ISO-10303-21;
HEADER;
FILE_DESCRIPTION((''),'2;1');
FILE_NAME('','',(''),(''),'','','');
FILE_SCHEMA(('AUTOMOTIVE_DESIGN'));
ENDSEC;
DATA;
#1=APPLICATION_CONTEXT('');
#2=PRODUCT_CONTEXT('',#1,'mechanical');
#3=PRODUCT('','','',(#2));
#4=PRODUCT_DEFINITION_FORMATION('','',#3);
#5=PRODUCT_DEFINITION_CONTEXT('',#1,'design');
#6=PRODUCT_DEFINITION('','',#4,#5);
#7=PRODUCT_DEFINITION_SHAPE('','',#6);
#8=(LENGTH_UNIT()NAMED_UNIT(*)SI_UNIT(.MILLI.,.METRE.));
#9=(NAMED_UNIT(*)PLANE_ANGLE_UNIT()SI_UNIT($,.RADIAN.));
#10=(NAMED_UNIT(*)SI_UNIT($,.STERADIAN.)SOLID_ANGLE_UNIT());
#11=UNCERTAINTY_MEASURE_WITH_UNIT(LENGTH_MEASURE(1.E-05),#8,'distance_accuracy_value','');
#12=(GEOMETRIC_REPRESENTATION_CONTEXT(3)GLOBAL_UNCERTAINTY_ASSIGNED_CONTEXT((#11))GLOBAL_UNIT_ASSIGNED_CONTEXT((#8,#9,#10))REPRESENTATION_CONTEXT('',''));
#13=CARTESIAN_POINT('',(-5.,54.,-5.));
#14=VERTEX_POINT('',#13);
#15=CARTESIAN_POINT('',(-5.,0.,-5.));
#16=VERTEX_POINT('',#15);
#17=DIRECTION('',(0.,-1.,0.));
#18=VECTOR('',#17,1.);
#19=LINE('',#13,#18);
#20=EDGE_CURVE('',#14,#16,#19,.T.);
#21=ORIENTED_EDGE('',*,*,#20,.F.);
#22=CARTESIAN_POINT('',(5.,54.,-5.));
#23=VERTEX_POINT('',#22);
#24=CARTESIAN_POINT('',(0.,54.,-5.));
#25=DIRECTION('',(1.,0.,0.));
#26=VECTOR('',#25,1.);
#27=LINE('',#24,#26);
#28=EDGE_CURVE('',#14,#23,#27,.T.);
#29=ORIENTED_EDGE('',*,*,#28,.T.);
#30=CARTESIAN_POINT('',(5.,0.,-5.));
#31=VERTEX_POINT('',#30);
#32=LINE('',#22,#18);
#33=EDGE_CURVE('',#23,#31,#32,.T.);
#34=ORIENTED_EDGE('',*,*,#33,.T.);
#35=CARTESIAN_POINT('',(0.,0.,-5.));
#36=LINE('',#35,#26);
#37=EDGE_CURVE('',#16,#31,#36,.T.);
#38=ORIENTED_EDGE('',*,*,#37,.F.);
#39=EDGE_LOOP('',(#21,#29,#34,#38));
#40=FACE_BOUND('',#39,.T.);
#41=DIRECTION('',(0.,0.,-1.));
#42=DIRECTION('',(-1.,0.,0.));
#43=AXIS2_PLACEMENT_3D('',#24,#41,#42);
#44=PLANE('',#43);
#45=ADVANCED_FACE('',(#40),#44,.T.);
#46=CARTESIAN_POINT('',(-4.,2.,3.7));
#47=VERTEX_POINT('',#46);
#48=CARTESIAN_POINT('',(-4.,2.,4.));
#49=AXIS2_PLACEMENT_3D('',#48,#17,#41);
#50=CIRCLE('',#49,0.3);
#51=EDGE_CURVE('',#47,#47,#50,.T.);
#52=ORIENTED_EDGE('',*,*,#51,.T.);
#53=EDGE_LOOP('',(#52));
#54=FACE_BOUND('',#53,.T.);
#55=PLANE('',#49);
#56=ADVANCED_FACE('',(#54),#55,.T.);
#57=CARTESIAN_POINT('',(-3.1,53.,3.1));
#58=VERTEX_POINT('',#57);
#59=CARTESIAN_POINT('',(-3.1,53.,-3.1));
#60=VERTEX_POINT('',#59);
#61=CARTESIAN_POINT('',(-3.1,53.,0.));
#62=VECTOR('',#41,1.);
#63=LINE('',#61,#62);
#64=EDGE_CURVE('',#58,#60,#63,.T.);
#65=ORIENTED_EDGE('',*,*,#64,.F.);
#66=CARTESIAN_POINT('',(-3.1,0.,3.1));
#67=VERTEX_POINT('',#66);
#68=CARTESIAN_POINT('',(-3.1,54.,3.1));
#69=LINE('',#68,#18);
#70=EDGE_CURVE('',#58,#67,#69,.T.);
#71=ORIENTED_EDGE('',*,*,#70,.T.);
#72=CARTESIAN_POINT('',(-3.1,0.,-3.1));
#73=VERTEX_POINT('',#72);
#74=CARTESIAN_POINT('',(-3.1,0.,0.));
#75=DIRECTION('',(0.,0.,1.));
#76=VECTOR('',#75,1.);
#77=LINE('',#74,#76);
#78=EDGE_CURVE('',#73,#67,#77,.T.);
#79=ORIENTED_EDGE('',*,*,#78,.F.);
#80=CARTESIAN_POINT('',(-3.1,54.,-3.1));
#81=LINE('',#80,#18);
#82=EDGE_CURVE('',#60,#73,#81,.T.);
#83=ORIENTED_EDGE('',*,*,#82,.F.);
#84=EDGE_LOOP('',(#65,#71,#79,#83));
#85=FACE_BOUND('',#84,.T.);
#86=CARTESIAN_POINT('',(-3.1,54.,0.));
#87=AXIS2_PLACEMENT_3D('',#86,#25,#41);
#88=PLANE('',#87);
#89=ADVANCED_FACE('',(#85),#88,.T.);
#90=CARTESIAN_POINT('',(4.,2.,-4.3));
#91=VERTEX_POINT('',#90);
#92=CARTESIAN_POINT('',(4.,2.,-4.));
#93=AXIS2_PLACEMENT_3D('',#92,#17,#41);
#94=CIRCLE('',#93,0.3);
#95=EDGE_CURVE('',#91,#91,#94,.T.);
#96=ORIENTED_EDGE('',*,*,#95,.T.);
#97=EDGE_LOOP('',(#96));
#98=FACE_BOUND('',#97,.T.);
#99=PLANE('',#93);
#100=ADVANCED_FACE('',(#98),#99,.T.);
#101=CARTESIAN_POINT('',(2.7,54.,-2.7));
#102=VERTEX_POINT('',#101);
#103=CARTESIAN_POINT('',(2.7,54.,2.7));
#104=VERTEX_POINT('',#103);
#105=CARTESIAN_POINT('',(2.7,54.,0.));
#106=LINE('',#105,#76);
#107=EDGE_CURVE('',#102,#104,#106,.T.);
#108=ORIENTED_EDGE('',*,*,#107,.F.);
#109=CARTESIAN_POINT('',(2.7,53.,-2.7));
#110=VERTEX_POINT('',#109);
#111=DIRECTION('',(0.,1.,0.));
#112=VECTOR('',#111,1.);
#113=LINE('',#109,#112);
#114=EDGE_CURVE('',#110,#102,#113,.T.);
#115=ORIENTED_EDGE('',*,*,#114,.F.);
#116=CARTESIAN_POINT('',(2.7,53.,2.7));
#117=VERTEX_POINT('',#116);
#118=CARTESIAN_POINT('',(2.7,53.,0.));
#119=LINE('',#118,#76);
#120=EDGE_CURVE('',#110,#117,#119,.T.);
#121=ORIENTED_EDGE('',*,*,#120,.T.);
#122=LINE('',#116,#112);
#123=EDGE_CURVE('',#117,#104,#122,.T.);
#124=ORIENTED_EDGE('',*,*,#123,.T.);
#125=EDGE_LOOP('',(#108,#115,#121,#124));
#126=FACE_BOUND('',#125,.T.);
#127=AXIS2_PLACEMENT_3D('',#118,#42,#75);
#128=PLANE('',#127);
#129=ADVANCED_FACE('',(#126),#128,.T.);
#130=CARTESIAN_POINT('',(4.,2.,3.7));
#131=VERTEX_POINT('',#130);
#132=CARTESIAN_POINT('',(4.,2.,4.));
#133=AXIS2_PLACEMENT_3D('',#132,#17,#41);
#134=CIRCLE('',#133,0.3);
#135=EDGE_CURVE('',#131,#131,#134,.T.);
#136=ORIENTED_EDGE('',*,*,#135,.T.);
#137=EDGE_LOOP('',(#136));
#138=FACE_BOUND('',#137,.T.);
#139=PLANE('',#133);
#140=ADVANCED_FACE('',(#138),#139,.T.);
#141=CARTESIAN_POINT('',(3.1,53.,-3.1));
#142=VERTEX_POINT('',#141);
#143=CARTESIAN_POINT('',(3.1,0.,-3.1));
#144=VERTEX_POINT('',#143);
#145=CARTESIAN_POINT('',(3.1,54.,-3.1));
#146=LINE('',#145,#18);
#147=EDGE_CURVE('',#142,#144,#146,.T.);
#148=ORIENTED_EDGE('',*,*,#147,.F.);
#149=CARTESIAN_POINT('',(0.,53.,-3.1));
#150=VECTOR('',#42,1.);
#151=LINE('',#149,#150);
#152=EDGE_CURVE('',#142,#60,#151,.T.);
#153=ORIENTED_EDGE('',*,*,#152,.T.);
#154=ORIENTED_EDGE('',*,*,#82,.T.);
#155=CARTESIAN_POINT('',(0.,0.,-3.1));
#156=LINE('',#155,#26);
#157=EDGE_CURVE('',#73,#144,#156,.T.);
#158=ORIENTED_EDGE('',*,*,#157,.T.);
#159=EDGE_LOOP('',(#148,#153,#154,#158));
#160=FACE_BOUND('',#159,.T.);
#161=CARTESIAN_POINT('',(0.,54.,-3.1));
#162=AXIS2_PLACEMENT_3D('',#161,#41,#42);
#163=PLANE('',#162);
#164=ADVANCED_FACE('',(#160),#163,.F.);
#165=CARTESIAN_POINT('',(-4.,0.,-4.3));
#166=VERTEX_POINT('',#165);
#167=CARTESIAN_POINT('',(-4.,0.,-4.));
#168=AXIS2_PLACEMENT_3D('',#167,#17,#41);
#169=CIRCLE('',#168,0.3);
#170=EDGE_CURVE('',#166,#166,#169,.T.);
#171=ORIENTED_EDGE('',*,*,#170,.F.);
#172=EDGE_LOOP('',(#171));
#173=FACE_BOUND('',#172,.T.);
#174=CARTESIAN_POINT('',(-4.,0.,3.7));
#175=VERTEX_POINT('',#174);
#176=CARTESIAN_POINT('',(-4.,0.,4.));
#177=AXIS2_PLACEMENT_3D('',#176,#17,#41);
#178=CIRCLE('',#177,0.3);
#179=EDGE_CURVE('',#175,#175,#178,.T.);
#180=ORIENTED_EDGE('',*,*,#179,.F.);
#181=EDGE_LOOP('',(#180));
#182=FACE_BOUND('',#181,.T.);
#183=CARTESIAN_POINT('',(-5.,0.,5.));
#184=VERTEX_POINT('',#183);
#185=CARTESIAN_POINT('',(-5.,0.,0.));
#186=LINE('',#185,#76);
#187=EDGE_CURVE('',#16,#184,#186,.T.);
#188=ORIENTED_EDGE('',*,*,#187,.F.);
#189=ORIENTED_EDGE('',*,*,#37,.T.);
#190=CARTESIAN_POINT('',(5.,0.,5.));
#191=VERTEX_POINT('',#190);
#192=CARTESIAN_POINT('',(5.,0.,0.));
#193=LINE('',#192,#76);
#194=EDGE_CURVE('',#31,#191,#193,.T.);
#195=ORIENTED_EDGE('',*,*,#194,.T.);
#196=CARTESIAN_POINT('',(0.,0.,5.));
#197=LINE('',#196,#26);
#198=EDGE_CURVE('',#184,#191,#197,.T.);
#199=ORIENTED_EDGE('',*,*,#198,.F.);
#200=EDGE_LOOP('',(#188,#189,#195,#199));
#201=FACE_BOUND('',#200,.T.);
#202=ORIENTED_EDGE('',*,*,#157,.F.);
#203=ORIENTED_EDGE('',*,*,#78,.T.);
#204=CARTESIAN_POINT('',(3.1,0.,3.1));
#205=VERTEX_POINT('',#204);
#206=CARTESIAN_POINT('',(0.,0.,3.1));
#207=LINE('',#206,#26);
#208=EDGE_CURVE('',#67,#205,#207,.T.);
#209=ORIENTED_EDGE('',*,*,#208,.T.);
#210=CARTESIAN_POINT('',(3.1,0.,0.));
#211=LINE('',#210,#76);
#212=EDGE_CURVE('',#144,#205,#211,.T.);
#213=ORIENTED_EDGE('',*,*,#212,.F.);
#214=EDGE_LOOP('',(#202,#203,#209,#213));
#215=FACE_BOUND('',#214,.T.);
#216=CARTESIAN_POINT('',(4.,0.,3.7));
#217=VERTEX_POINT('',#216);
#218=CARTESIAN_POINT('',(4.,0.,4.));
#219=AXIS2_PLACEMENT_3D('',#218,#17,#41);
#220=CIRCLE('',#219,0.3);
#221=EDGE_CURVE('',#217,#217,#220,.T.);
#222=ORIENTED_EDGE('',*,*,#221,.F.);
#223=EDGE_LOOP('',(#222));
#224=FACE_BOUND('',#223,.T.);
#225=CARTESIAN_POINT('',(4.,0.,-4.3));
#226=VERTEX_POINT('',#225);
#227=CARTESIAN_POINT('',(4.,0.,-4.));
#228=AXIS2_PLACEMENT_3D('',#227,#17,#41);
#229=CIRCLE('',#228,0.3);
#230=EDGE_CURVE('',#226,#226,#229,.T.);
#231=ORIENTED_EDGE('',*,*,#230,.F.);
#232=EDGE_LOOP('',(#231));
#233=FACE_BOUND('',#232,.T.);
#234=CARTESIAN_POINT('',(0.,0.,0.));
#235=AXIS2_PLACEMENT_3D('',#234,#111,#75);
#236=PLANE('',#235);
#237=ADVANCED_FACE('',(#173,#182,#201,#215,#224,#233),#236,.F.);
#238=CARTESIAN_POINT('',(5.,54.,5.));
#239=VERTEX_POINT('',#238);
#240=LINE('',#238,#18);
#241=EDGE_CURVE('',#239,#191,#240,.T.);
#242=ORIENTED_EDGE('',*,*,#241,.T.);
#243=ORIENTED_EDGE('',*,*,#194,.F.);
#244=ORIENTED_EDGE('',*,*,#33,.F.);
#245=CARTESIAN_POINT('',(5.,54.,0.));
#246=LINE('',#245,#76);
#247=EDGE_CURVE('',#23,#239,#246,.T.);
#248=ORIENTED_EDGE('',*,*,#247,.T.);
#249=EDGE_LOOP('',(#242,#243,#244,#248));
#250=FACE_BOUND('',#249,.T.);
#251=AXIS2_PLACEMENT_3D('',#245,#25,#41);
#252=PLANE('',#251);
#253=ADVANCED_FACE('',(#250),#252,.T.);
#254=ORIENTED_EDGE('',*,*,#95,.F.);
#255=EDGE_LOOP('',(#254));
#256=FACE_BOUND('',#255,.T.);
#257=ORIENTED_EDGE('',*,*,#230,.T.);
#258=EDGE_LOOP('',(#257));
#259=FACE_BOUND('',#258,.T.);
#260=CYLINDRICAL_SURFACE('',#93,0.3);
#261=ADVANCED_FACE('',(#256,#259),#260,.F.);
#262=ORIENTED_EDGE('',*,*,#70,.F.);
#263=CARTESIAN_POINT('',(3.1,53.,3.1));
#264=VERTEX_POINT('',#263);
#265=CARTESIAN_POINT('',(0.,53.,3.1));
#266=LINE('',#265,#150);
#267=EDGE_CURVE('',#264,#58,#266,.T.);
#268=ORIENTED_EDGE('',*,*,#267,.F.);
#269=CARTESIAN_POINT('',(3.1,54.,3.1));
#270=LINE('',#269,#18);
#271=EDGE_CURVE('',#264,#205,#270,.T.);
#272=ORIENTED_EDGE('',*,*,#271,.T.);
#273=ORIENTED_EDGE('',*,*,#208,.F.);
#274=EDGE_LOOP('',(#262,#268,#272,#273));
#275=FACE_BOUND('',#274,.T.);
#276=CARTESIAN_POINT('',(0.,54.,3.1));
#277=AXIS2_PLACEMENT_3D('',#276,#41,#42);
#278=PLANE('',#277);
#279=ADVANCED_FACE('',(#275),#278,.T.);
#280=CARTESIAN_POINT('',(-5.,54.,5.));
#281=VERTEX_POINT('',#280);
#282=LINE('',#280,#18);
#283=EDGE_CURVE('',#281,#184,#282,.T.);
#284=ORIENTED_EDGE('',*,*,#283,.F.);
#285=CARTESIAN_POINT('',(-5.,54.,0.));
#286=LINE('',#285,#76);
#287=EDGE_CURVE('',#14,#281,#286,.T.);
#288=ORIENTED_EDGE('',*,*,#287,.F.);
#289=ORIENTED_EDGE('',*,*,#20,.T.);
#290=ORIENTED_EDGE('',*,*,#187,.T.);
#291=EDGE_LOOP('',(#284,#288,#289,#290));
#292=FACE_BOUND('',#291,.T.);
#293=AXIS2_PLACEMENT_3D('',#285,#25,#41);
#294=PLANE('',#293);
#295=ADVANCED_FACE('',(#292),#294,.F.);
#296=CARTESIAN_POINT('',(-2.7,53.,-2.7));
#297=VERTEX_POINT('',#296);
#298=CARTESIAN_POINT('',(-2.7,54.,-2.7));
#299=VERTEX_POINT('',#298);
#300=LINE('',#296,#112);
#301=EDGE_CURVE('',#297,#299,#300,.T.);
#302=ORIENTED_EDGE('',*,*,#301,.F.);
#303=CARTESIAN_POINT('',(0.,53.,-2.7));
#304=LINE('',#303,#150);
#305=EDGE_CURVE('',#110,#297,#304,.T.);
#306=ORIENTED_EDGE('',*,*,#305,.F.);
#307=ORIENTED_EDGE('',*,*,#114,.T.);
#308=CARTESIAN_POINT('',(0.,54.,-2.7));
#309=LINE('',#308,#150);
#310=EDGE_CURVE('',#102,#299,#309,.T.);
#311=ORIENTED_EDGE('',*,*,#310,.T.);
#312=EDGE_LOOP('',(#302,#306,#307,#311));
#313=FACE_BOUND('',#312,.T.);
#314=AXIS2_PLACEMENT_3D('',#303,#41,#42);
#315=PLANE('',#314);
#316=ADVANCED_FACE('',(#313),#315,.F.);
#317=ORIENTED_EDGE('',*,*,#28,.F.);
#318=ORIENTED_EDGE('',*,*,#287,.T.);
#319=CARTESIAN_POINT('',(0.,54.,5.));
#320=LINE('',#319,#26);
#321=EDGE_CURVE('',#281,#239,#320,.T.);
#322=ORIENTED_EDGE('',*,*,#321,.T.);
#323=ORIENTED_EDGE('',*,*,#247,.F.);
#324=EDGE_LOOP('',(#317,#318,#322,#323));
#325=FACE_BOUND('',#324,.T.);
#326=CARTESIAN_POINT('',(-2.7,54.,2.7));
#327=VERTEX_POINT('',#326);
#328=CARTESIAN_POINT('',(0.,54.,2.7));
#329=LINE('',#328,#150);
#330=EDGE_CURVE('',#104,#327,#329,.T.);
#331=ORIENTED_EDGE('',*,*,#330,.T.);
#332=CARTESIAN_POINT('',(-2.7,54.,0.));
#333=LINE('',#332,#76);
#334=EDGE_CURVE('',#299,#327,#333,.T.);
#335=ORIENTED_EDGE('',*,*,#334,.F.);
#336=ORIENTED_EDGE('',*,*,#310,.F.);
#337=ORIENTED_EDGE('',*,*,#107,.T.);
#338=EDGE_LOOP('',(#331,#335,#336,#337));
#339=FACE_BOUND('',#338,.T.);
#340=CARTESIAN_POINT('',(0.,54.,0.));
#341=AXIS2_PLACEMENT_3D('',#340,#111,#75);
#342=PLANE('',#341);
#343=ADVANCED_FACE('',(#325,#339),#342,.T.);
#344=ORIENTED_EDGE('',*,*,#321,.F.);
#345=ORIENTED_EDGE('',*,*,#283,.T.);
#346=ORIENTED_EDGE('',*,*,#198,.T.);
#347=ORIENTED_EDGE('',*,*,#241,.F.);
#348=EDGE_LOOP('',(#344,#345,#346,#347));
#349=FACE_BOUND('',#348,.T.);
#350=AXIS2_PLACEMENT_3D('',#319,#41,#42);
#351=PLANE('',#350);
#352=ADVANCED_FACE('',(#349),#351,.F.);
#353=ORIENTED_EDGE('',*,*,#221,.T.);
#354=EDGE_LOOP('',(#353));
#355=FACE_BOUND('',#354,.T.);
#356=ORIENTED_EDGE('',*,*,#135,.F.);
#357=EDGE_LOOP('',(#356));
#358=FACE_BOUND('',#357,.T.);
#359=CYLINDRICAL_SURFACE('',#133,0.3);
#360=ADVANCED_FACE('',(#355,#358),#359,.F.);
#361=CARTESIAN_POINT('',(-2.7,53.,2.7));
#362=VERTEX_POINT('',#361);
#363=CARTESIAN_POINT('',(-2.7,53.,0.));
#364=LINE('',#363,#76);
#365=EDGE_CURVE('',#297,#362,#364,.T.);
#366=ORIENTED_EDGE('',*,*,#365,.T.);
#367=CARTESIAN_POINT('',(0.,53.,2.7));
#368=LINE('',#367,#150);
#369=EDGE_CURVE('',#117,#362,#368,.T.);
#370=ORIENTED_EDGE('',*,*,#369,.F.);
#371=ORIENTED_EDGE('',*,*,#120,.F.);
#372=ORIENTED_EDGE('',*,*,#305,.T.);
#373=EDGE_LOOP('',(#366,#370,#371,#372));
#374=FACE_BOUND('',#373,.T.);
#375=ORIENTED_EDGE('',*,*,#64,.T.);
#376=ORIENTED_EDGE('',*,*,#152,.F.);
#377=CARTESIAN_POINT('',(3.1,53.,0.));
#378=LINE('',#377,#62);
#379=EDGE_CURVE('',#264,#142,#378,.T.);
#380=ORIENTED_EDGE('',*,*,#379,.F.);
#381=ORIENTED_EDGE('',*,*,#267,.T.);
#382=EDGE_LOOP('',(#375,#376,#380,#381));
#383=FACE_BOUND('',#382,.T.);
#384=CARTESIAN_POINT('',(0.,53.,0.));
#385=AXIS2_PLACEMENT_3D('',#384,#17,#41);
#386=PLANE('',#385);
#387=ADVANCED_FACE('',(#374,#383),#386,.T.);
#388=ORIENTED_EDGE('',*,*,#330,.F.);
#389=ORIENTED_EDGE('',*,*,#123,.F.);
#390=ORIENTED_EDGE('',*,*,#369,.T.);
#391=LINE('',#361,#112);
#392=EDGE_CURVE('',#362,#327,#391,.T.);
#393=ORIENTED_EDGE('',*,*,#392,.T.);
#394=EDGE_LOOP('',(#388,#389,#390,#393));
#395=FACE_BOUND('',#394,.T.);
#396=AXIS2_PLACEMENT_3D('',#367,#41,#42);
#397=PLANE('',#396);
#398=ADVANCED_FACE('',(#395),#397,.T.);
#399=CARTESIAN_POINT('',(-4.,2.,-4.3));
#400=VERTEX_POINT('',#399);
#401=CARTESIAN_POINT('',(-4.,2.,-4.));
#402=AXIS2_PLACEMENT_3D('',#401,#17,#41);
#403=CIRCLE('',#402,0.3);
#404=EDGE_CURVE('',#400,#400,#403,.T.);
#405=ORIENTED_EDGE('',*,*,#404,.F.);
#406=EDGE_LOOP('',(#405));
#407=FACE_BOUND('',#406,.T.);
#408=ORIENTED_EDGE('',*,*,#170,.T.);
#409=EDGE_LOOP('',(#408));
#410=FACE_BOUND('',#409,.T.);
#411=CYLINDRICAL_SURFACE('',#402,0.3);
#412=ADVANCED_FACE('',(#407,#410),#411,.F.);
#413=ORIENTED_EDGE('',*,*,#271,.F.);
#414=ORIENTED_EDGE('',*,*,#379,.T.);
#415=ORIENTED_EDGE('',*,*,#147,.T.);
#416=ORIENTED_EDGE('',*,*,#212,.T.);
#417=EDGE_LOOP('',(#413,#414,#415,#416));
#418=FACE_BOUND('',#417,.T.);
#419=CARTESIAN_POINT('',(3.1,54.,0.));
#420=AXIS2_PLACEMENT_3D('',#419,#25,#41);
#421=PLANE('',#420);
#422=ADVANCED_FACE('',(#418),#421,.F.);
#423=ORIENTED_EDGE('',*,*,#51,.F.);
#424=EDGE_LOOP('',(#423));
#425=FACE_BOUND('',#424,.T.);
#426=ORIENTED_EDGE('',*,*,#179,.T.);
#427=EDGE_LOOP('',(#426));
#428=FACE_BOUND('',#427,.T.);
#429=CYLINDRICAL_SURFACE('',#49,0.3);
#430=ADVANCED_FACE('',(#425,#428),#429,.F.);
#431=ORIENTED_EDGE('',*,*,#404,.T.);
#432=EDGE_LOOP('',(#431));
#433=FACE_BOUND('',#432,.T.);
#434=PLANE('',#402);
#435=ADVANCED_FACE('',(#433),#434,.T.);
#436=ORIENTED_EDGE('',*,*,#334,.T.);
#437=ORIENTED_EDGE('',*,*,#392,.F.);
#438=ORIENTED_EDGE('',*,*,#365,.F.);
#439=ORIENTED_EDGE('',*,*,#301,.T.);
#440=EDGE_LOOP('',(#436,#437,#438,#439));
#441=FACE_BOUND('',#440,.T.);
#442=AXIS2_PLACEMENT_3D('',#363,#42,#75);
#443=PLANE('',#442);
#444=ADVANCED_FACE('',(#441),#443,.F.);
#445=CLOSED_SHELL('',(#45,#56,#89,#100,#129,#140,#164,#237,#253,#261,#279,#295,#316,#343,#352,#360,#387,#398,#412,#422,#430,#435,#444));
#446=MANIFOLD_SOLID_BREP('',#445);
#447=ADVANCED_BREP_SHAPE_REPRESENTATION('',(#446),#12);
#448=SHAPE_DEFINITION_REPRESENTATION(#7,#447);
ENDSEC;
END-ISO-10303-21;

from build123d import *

# Parameters (mm, degrees)
SKETCH_1_W          = 10
SKETCH_1_H          = 10
SKETCH_1_W_2        = 6.2
SKETCH_1_H_2        = 6.2
EXTRUDE_1_DEPTH     = 54
EXTRUDE_START       = 54
SKETCH_1_3_W        = 10
SKETCH_1_3_H        = 10
SKETCH_1_3_W_2      = 6.2
SKETCH_1_3_H_2      = 6.2
SKETCH_1_3_W_3      = 5.4
SKETCH_1_3_H_3      = 5.4
EXTRUDE_2_DEPTH     = 1
SKETCH_2_R          = 0.3
CUT_EXTRUDE_1_DEPTH = 2


with BuildPart() as part:
    # 草图1 → 凸台-拉伸1 (new body)
    with BuildSketch(Plane(origin=(0, 0, 0), x_dir=(1, 0, 0), z_dir=(0, 1, 0))):
        Rectangle(SKETCH_1_W, SKETCH_1_H)
        Rectangle(SKETCH_1_W_2, SKETCH_1_H_2, mode=Mode.SUBTRACT)
    extrude(amount=EXTRUDE_1_DEPTH)

    # 草图1<3> → 凸台-拉伸2 (add)
    # profile 1 of 2: a face of its own
    with BuildSketch(Plane(origin=(0, 0, 0), x_dir=(1, 0, 0), z_dir=(0, 1, 0)).offset(EXTRUDE_START)):
        Rectangle(SKETCH_1_3_W, SKETCH_1_3_H)
        Rectangle(SKETCH_1_3_W_2, SKETCH_1_3_H_2, mode=Mode.SUBTRACT)
    # profile 2 of 2: a face of its own
    with BuildSketch(Plane(origin=(0, 0, 0), x_dir=(1, 0, 0), z_dir=(0, 1, 0)).offset(EXTRUDE_START)):
        Rectangle(SKETCH_1_3_W_2, SKETCH_1_3_H_2)
        Rectangle(SKETCH_1_3_W_3, SKETCH_1_3_H_3, mode=Mode.SUBTRACT)
    extrude(amount=-EXTRUDE_2_DEPTH)

    # 草图2 → 切除-拉伸1 (cut)
    with BuildSketch(Plane.XZ):
        with Locations(Location((-4, 4, 0), (0, 0, 270))):
            Circle(SKETCH_2_R)
        with Locations(Location((4, -4, 0), (0, 0, 270))):
            Circle(SKETCH_2_R)
        with Locations(Location((4, 4, 0), (0, 0, 270))):
            Circle(SKETCH_2_R)
        with Locations(Location((-4, -4, 0), (0, 0, 270))):
            Circle(SKETCH_2_R)
    extrude(amount=-CUT_EXTRUDE_1_DEPTH, mode=Mode.SUBTRACT)


solid = part.part
